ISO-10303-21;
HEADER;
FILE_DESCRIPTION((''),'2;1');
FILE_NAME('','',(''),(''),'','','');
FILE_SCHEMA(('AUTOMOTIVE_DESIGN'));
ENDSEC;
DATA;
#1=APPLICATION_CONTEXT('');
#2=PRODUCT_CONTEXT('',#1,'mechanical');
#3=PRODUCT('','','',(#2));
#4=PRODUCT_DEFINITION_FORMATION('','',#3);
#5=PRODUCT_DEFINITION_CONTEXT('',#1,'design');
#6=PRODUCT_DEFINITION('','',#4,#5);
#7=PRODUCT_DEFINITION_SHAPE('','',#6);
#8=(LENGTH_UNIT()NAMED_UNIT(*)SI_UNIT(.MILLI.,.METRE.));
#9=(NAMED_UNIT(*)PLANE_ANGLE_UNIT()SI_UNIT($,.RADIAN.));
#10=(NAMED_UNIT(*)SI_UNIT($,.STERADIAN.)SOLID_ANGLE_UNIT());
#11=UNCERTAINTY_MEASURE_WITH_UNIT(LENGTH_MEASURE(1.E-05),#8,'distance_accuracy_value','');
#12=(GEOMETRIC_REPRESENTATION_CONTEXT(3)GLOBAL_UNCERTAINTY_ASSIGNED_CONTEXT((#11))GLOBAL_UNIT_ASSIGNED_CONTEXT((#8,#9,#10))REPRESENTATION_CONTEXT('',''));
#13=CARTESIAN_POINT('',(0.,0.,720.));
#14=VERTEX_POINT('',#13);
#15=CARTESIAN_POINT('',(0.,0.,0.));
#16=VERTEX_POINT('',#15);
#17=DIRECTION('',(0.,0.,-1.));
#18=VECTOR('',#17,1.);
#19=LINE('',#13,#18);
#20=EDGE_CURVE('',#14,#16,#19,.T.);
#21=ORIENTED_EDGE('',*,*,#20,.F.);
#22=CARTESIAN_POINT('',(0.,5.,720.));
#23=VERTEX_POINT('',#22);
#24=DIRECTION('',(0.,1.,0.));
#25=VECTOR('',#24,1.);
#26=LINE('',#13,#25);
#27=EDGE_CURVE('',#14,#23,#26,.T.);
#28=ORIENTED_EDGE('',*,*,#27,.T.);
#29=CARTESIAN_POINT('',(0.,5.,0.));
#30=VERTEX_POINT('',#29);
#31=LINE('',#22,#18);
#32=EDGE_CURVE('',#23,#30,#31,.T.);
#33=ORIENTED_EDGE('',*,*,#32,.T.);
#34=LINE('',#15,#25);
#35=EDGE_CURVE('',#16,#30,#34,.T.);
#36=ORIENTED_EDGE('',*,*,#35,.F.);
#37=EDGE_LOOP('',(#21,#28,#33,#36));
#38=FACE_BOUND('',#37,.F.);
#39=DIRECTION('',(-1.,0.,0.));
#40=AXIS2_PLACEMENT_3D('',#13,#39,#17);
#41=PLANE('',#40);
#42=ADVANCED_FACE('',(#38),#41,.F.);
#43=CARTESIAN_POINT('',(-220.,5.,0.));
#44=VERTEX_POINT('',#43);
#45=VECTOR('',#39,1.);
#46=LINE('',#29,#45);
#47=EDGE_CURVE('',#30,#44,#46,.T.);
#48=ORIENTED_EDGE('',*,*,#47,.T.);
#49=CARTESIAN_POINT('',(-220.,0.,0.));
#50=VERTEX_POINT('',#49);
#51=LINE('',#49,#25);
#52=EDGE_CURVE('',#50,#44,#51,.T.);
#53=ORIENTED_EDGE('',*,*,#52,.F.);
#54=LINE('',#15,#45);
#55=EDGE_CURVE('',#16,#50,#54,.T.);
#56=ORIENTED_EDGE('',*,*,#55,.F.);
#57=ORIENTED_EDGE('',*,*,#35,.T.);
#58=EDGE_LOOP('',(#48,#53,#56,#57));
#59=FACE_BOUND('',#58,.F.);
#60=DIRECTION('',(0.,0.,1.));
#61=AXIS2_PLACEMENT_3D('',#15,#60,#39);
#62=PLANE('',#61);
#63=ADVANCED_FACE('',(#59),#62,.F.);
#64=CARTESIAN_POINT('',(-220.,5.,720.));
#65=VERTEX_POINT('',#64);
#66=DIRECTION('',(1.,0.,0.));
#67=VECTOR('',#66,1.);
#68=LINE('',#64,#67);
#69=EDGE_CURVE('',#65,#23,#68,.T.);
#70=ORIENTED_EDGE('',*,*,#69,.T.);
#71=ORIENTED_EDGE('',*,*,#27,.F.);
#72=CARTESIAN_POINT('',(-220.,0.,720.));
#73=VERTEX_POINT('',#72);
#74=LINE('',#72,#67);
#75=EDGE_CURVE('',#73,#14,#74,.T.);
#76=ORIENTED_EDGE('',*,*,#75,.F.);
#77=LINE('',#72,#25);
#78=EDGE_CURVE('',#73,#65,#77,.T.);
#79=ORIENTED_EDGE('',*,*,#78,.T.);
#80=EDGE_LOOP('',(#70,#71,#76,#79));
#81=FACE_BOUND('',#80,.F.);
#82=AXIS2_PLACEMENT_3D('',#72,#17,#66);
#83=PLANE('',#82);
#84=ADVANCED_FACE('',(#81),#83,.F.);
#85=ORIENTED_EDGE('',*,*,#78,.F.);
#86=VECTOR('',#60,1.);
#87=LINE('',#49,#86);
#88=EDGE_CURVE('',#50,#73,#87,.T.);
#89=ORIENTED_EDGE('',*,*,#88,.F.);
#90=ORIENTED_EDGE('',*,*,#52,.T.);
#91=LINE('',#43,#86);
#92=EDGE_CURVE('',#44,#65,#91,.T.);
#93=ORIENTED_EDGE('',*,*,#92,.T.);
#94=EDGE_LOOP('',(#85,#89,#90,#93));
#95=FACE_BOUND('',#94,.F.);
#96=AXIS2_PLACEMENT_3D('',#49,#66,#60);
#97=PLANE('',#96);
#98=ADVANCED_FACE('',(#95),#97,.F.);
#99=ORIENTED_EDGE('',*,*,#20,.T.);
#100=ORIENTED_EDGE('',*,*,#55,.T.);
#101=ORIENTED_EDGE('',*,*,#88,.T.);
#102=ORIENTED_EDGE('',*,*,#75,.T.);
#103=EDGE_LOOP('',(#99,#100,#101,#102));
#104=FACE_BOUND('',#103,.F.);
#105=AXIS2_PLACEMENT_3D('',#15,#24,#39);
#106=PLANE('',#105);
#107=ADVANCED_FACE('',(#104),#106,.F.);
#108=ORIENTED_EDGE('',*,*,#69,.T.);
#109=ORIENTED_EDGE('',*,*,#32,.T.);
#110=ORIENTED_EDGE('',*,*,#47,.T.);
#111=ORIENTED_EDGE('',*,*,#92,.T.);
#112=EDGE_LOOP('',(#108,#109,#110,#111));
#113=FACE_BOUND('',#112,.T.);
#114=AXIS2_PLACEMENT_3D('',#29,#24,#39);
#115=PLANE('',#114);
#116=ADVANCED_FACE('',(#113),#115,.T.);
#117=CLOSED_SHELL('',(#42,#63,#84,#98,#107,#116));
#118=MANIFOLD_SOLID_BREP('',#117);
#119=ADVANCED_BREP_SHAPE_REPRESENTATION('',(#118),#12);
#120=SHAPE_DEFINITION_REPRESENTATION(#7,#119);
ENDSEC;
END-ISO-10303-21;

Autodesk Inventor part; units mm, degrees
ref_plane "YZ Plane" through (0, 0, 0) normal (1, 0, 0) x (0, 1, 0)
ref_plane "XZ Plane" through (0, 0, 0) normal (0, 1, 0) x (-1, 0, 0)
ref_plane "XY Plane" through (0, 0, 0) normal (0, 0, 1) x (1, 0, 0)
sketch "Sketch1" plane through (0, 0, 0) normal (0, 1, 0) x (-1, 0, 0)
  line L0 (0, 0) -> (220, 0)
  line L1 (220, 0) -> (220, 720)
  line L2 (220, 720) -> (0, 720)
  line L3 (0, 720) -> (0, 0)
  dimension "d0" = 720
  dimension "d1" = 220
extrude "Extrusion1" add sketch "Sketch1" along normal blind 5
properties part number "wall"
